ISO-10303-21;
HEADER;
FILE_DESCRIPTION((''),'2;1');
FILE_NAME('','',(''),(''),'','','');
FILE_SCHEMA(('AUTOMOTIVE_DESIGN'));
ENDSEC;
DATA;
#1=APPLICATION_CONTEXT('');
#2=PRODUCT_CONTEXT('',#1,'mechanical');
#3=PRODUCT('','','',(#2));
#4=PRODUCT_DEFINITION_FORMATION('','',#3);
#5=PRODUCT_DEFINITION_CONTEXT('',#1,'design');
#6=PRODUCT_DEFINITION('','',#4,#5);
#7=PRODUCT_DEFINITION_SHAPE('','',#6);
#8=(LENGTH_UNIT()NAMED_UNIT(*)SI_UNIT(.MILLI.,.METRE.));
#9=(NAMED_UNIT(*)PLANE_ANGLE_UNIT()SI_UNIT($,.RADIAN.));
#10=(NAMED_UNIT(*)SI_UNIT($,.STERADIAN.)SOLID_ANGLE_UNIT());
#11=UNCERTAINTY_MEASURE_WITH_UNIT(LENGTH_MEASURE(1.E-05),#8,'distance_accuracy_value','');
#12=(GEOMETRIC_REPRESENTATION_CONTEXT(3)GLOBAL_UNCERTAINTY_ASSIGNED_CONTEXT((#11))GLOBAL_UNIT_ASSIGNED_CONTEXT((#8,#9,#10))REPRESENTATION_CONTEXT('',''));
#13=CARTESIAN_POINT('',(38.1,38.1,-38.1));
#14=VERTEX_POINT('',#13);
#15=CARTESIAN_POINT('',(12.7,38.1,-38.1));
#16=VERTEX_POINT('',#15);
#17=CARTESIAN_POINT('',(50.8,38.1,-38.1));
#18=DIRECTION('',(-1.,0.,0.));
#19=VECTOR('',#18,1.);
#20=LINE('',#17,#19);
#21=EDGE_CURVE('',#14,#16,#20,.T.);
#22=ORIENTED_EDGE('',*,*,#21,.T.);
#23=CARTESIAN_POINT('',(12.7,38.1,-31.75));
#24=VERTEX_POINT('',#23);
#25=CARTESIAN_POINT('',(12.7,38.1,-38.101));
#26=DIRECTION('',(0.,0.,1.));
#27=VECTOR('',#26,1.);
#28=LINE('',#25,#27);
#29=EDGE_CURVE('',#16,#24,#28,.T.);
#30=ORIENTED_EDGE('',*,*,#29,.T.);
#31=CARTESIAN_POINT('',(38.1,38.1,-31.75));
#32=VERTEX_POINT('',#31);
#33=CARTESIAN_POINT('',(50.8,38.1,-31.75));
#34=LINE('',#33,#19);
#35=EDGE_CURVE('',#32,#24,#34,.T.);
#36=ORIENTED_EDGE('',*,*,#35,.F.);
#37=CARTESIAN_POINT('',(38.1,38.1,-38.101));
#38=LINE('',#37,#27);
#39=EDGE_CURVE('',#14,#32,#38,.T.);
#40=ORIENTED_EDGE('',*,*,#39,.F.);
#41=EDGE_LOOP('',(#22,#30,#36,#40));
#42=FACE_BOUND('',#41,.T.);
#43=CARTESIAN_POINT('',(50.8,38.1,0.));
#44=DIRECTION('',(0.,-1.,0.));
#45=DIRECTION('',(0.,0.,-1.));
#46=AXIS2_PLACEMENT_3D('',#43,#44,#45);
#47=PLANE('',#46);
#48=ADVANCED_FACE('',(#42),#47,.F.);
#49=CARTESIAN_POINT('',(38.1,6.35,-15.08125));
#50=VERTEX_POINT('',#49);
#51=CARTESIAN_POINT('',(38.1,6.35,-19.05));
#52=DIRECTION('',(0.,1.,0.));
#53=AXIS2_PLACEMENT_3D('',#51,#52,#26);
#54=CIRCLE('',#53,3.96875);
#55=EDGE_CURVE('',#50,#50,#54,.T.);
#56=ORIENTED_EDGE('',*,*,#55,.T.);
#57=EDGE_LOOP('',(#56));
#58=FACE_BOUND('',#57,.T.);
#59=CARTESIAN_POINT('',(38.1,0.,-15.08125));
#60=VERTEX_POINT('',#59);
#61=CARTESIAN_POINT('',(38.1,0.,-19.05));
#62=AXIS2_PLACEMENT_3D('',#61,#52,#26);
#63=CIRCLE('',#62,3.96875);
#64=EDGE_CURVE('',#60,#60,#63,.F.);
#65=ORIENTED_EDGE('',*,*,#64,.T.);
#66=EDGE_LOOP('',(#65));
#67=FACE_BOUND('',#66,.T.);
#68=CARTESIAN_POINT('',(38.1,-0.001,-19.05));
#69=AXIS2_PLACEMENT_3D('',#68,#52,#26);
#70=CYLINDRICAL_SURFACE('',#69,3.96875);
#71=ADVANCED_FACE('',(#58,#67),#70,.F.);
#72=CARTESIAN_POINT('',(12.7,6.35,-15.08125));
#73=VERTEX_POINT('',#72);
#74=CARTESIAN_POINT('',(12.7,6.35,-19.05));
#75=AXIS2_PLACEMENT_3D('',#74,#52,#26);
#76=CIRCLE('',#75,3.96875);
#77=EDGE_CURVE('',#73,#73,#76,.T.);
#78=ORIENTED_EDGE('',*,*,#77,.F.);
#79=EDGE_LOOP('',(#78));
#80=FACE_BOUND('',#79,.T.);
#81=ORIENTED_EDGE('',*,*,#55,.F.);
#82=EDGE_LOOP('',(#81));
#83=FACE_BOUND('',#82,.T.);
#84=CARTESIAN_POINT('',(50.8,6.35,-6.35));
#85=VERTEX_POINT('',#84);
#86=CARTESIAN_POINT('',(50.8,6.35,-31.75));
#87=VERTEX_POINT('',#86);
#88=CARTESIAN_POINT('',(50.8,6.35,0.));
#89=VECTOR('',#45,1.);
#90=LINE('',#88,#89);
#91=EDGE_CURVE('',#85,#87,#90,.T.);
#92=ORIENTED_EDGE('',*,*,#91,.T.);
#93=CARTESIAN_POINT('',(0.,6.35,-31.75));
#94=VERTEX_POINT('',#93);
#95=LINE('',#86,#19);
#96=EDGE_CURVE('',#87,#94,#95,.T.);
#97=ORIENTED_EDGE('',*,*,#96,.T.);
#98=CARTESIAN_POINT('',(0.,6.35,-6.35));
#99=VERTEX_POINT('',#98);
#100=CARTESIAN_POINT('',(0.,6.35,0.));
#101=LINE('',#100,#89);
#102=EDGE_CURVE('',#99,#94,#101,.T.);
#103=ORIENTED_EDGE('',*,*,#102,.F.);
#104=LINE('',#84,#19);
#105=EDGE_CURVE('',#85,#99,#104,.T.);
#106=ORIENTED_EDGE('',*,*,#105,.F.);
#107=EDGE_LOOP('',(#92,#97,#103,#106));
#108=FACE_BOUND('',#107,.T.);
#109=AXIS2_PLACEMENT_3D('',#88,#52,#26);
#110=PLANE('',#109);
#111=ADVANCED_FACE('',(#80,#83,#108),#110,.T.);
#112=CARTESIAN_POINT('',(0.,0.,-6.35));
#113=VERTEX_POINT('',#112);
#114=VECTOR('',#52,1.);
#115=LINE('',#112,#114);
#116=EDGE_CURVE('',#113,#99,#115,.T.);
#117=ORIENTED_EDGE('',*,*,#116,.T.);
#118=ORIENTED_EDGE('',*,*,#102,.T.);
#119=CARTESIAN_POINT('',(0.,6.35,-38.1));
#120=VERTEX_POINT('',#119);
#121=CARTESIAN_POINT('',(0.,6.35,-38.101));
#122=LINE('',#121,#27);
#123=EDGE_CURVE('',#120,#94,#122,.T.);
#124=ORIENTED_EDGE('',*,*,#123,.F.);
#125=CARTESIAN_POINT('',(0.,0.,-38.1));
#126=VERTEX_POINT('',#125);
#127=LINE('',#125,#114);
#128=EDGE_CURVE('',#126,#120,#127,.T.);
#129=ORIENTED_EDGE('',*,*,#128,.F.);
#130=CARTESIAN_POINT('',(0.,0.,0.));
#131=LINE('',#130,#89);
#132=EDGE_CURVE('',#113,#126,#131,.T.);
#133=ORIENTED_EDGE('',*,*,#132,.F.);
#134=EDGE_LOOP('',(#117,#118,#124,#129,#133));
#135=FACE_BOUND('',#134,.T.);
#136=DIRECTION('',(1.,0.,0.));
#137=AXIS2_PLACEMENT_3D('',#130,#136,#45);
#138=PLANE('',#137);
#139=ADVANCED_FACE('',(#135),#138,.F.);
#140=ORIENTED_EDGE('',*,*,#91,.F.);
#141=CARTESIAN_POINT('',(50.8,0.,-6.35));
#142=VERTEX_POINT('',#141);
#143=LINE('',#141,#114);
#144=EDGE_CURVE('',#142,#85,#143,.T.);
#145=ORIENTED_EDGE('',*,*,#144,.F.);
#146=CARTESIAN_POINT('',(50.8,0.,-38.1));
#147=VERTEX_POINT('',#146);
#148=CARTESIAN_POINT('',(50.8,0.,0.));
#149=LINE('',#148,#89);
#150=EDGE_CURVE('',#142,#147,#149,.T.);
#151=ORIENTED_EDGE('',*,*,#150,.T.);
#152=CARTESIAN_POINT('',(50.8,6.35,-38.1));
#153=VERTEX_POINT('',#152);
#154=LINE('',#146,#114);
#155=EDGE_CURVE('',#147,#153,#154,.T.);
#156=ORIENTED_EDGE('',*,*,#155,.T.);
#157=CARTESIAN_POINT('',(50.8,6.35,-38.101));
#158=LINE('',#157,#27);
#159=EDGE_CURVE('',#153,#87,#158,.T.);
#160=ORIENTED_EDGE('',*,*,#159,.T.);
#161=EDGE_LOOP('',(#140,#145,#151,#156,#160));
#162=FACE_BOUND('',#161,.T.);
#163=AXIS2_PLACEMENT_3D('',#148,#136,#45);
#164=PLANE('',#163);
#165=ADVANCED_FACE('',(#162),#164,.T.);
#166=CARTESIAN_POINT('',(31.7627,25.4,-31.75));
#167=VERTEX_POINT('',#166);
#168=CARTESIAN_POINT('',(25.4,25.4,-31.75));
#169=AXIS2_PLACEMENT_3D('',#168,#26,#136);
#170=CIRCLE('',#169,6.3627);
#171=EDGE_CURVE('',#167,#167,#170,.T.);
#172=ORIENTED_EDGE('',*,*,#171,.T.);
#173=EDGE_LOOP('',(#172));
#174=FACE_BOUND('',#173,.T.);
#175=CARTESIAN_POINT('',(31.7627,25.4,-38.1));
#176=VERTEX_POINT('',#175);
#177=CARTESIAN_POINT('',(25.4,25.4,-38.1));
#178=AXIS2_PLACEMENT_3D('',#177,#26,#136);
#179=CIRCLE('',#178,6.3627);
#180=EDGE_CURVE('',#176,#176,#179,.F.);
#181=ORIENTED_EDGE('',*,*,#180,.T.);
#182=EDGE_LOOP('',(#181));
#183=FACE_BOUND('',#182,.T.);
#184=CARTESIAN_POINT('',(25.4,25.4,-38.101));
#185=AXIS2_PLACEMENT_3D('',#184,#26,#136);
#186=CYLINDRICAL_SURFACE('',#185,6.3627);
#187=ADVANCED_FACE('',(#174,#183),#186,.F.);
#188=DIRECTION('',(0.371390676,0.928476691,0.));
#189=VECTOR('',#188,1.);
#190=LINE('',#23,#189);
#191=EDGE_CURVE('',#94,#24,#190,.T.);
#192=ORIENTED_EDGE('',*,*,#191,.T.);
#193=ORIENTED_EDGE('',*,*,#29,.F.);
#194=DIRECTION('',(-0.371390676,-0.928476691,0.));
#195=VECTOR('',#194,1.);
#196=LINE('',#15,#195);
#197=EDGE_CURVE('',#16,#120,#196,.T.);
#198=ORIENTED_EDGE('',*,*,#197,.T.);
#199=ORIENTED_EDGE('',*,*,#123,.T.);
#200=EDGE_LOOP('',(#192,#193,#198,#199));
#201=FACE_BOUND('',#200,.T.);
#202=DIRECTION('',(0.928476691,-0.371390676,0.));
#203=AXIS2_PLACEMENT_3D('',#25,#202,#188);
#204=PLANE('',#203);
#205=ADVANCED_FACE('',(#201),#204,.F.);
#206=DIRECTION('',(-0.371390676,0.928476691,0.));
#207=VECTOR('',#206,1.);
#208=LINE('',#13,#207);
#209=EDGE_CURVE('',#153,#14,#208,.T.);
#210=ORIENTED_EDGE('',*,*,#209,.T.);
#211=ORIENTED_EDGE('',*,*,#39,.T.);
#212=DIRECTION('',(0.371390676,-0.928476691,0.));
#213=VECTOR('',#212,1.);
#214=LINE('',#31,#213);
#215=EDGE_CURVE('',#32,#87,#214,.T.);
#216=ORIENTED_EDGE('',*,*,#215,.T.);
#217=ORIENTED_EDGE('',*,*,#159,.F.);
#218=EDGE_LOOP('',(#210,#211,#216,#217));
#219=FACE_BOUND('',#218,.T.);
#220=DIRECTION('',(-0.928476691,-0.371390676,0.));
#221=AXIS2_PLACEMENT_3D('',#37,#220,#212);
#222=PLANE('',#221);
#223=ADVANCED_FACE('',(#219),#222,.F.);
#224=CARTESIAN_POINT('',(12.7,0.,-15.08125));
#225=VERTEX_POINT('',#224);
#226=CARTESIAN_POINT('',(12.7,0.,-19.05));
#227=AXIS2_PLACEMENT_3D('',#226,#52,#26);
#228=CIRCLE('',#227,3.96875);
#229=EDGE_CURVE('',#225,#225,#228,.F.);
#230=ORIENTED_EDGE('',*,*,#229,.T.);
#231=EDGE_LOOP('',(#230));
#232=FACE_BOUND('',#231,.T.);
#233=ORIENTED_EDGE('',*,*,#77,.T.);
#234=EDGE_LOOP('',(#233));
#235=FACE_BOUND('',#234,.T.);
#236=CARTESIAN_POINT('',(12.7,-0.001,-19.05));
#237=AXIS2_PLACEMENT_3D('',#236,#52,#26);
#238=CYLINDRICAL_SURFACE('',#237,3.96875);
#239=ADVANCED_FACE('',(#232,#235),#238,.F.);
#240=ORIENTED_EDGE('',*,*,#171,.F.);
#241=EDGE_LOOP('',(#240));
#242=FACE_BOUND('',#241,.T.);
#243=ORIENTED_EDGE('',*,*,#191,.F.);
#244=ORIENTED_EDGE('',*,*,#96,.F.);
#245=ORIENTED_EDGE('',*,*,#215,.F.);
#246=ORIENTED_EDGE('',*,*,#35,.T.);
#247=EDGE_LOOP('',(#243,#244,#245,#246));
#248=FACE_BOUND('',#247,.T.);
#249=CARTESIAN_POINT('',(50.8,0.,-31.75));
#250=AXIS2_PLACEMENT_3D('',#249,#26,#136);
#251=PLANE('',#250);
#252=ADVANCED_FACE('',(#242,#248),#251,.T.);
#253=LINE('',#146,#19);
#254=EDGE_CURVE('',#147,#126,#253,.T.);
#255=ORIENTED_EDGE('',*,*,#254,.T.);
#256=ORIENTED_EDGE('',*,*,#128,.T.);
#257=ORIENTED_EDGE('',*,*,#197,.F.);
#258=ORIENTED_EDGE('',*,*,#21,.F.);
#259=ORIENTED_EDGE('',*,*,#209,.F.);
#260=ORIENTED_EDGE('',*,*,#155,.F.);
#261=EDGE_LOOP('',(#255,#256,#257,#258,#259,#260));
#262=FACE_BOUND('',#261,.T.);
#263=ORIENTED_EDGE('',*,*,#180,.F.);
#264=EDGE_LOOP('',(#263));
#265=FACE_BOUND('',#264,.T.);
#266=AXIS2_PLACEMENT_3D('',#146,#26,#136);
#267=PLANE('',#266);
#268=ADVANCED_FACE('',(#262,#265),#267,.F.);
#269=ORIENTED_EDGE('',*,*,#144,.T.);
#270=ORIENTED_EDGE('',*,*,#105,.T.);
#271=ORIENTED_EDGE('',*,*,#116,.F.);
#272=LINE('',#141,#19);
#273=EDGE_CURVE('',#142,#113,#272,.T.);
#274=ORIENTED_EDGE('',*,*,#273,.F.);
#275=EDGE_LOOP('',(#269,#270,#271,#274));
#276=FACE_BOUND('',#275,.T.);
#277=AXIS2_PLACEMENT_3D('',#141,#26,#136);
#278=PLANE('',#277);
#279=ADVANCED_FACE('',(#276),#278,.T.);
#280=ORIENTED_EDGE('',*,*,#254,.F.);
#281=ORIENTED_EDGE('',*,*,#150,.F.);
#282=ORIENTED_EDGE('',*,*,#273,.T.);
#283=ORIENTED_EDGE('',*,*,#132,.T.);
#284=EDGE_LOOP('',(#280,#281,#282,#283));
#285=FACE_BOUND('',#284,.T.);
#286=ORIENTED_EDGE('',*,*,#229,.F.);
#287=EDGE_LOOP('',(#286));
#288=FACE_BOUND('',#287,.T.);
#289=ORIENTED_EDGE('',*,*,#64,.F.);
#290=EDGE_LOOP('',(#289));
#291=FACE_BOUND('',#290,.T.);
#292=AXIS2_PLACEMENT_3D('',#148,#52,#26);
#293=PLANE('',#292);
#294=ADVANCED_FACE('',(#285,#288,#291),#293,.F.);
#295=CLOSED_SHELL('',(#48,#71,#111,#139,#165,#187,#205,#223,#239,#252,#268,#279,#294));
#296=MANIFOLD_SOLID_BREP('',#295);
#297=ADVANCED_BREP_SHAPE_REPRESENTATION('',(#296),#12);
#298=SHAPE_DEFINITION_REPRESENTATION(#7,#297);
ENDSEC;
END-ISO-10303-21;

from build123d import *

# Parameters (mm, degrees)
SKETCH1_W           = 6.35
SKETCH1_H           = 31.75
BOSS_EXTRUDE1_DEPTH = 50.8
BASE_MOUNTS_REACH   = 8.35
SKETCH2_R           = 3.96875
PEDAL_HINGE_REACH   = 8.35
SKETCH3_R           = 6.3627


with BuildPart() as part:
    # Sketch1 → Boss-Extrude1 (new body)
    with BuildSketch(Plane(origin=(0, 0, 0), x_dir=(0, 0, -1), z_dir=(1, 0, 0))):
        Polygon((6.35, 6.35), (6.35, 0), (38.1, 0), (38.1, 6.35), (31.75, 6.35), align=None)
        with Locations((34.925, 22.225)):
            Rectangle(SKETCH1_W, SKETCH1_H)
    extrude(amount=BOSS_EXTRUDE1_DEPTH)

    # Sketch2 → Base Mounts (cut, up to next)
    with BuildSketch(Plane(origin=(0, 6.35, 0), x_dir=(1, 0, 0), z_dir=(0, 1, 0)), mode=Mode.PRIVATE) as base_mounts_sk1:
        with Locations((38.1, 19.05)):
            Circle(SKETCH2_R)
    base_mounts_tool1 = extrude(base_mounts_sk1.sketch, amount=-BASE_MOUNTS_REACH, mode=Mode.PRIVATE) & part.part
    add(base_mounts_tool1.solids().sort_by_distance((38.1, 6.35, -19.05))[0], mode=Mode.SUBTRACT)
    # Sketch2 → Base Mounts (cut, up to next)
    with BuildSketch(Plane(origin=(0, 6.35, 0), x_dir=(1, 0, 0), z_dir=(0, 1, 0)), mode=Mode.PRIVATE) as base_mounts_sk2:
        with Locations((12.7, 19.05)):
            Circle(SKETCH2_R)
    base_mounts_tool2 = extrude(base_mounts_sk2.sketch, amount=-BASE_MOUNTS_REACH, mode=Mode.PRIVATE) & part.part
    add(base_mounts_tool2.solids().sort_by_distance((12.7, 6.35, -19.05))[0], mode=Mode.SUBTRACT)

    # Sketch3 → Pedal Hinge (cut, up to next)
    with BuildSketch(Plane.XY.offset(-31.75), mode=Mode.PRIVATE) as pedal_hinge_sk1:
        with Locations((25.4, 25.4)):
            Circle(SKETCH3_R)
    pedal_hinge_tool1 = extrude(pedal_hinge_sk1.sketch, amount=-PEDAL_HINGE_REACH, mode=Mode.PRIVATE) & part.part
    add(pedal_hinge_tool1.solids().sort_by_distance((25.4, 25.4, -31.75))[0], mode=Mode.SUBTRACT)
    # Sketch3 → Pedal Hinge (cut, up to next)
    with BuildSketch(Plane.XY.offset(-31.75), mode=Mode.PRIVATE) as pedal_hinge_sk2:
        Polygon((50.8, 6.35), (50.8, 38.1), (38.1, 38.1), align=None)
    pedal_hinge_tool2 = extrude(pedal_hinge_sk2.sketch, amount=-PEDAL_HINGE_REACH, mode=Mode.PRIVATE) & part.part
    add(pedal_hinge_tool2.solids().sort_by_distance((46.566667, 27.516667, -31.75))[0], mode=Mode.SUBTRACT)
    # Sketch3 → Pedal Hinge (cut, up to next)
    with BuildSketch(Plane.XY.offset(-31.75), mode=Mode.PRIVATE) as pedal_hinge_sk3:
        Polygon((0, 6.35), (0, 38.1), (12.7, 38.1), align=None)
    pedal_hinge_tool3 = extrude(pedal_hinge_sk3.sketch, amount=-PEDAL_HINGE_REACH, mode=Mode.PRIVATE) & part.part
    add(pedal_hinge_tool3.solids().sort_by_distance((4.233333, 27.516667, -31.75))[0], mode=Mode.SUBTRACT)


solid = part.part
